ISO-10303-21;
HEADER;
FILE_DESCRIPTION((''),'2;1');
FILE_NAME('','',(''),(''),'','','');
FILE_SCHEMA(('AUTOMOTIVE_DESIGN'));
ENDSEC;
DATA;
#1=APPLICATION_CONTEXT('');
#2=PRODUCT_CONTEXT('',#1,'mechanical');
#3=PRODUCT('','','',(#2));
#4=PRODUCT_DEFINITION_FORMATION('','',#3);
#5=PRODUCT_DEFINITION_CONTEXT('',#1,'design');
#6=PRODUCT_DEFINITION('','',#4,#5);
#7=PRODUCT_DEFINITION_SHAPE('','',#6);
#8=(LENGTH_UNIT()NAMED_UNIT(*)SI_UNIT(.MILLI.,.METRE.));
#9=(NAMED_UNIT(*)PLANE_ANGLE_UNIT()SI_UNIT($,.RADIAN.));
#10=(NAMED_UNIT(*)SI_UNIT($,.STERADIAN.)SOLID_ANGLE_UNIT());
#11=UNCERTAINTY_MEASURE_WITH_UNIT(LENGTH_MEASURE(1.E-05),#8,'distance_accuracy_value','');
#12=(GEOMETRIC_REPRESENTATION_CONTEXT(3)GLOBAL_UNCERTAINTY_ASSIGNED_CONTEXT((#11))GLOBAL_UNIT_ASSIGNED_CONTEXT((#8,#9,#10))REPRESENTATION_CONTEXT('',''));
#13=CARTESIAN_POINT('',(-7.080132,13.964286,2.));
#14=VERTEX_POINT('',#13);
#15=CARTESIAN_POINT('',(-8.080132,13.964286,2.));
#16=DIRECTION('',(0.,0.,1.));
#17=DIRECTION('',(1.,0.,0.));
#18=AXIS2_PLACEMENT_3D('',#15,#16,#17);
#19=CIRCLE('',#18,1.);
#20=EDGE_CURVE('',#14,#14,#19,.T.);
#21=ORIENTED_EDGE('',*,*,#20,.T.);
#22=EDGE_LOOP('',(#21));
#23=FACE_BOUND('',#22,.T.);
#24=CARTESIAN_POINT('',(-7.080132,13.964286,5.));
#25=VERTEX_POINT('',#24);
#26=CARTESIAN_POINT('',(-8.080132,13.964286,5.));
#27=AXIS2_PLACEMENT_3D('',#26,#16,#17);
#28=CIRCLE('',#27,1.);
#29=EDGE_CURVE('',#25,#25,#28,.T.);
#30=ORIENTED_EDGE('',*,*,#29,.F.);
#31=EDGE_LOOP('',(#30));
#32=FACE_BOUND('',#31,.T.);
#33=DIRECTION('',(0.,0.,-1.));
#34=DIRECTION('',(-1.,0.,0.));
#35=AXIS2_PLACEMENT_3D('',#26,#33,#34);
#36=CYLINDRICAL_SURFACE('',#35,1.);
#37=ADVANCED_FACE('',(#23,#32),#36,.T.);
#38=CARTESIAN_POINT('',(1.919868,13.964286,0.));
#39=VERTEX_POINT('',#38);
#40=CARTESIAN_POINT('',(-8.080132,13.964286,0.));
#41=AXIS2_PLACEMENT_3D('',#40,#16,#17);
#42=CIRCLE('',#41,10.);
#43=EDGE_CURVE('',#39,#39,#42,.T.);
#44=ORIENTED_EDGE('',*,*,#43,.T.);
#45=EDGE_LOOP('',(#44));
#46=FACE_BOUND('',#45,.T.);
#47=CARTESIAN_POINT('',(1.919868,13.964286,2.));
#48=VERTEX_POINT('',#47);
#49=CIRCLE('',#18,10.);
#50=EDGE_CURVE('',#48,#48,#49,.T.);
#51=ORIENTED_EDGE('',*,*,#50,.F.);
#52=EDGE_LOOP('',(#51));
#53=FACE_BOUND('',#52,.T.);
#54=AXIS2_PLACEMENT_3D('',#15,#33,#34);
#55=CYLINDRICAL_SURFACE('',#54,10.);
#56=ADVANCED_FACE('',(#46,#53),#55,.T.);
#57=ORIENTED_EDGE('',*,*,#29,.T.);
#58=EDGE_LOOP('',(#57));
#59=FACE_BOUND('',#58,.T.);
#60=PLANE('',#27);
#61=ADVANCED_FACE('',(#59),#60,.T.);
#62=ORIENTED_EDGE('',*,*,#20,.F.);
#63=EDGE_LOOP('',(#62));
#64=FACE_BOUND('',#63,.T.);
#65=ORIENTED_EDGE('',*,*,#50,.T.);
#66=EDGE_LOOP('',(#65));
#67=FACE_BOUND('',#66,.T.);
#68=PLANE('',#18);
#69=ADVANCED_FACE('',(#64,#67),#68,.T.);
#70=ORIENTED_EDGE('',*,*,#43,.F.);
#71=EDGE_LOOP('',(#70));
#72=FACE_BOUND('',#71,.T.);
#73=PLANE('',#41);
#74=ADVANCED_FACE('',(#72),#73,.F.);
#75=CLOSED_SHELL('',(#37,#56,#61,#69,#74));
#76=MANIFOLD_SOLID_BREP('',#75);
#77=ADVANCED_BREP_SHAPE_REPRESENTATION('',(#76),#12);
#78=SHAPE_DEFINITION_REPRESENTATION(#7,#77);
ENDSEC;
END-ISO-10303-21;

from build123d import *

# Parameters (mm, degrees)
SKETCH_1_R      = 10
EXTRUDE_1_DEPTH = 2
SKETCH_2_R      = 1
EXTRUDE_2_DEPTH = 3


with BuildPart() as part:
    # ｽｹｯﾁ1 → ﾎﾞｽ - 押し出し1 (new body)
    with BuildSketch(Plane.XY):
        with Locations((-8.080131723, 13.964285714)):
            Circle(SKETCH_1_R)
    extrude(amount=EXTRUDE_1_DEPTH)

    # ｽｹｯﾁ2 → ﾎﾞｽ - 押し出し2 (add)
    with BuildSketch(Plane.XY.offset(2)):
        with Locations((-8.080131723, 13.964285714)):
            Circle(SKETCH_2_R)
    extrude(amount=EXTRUDE_2_DEPTH)


solid = part.part
